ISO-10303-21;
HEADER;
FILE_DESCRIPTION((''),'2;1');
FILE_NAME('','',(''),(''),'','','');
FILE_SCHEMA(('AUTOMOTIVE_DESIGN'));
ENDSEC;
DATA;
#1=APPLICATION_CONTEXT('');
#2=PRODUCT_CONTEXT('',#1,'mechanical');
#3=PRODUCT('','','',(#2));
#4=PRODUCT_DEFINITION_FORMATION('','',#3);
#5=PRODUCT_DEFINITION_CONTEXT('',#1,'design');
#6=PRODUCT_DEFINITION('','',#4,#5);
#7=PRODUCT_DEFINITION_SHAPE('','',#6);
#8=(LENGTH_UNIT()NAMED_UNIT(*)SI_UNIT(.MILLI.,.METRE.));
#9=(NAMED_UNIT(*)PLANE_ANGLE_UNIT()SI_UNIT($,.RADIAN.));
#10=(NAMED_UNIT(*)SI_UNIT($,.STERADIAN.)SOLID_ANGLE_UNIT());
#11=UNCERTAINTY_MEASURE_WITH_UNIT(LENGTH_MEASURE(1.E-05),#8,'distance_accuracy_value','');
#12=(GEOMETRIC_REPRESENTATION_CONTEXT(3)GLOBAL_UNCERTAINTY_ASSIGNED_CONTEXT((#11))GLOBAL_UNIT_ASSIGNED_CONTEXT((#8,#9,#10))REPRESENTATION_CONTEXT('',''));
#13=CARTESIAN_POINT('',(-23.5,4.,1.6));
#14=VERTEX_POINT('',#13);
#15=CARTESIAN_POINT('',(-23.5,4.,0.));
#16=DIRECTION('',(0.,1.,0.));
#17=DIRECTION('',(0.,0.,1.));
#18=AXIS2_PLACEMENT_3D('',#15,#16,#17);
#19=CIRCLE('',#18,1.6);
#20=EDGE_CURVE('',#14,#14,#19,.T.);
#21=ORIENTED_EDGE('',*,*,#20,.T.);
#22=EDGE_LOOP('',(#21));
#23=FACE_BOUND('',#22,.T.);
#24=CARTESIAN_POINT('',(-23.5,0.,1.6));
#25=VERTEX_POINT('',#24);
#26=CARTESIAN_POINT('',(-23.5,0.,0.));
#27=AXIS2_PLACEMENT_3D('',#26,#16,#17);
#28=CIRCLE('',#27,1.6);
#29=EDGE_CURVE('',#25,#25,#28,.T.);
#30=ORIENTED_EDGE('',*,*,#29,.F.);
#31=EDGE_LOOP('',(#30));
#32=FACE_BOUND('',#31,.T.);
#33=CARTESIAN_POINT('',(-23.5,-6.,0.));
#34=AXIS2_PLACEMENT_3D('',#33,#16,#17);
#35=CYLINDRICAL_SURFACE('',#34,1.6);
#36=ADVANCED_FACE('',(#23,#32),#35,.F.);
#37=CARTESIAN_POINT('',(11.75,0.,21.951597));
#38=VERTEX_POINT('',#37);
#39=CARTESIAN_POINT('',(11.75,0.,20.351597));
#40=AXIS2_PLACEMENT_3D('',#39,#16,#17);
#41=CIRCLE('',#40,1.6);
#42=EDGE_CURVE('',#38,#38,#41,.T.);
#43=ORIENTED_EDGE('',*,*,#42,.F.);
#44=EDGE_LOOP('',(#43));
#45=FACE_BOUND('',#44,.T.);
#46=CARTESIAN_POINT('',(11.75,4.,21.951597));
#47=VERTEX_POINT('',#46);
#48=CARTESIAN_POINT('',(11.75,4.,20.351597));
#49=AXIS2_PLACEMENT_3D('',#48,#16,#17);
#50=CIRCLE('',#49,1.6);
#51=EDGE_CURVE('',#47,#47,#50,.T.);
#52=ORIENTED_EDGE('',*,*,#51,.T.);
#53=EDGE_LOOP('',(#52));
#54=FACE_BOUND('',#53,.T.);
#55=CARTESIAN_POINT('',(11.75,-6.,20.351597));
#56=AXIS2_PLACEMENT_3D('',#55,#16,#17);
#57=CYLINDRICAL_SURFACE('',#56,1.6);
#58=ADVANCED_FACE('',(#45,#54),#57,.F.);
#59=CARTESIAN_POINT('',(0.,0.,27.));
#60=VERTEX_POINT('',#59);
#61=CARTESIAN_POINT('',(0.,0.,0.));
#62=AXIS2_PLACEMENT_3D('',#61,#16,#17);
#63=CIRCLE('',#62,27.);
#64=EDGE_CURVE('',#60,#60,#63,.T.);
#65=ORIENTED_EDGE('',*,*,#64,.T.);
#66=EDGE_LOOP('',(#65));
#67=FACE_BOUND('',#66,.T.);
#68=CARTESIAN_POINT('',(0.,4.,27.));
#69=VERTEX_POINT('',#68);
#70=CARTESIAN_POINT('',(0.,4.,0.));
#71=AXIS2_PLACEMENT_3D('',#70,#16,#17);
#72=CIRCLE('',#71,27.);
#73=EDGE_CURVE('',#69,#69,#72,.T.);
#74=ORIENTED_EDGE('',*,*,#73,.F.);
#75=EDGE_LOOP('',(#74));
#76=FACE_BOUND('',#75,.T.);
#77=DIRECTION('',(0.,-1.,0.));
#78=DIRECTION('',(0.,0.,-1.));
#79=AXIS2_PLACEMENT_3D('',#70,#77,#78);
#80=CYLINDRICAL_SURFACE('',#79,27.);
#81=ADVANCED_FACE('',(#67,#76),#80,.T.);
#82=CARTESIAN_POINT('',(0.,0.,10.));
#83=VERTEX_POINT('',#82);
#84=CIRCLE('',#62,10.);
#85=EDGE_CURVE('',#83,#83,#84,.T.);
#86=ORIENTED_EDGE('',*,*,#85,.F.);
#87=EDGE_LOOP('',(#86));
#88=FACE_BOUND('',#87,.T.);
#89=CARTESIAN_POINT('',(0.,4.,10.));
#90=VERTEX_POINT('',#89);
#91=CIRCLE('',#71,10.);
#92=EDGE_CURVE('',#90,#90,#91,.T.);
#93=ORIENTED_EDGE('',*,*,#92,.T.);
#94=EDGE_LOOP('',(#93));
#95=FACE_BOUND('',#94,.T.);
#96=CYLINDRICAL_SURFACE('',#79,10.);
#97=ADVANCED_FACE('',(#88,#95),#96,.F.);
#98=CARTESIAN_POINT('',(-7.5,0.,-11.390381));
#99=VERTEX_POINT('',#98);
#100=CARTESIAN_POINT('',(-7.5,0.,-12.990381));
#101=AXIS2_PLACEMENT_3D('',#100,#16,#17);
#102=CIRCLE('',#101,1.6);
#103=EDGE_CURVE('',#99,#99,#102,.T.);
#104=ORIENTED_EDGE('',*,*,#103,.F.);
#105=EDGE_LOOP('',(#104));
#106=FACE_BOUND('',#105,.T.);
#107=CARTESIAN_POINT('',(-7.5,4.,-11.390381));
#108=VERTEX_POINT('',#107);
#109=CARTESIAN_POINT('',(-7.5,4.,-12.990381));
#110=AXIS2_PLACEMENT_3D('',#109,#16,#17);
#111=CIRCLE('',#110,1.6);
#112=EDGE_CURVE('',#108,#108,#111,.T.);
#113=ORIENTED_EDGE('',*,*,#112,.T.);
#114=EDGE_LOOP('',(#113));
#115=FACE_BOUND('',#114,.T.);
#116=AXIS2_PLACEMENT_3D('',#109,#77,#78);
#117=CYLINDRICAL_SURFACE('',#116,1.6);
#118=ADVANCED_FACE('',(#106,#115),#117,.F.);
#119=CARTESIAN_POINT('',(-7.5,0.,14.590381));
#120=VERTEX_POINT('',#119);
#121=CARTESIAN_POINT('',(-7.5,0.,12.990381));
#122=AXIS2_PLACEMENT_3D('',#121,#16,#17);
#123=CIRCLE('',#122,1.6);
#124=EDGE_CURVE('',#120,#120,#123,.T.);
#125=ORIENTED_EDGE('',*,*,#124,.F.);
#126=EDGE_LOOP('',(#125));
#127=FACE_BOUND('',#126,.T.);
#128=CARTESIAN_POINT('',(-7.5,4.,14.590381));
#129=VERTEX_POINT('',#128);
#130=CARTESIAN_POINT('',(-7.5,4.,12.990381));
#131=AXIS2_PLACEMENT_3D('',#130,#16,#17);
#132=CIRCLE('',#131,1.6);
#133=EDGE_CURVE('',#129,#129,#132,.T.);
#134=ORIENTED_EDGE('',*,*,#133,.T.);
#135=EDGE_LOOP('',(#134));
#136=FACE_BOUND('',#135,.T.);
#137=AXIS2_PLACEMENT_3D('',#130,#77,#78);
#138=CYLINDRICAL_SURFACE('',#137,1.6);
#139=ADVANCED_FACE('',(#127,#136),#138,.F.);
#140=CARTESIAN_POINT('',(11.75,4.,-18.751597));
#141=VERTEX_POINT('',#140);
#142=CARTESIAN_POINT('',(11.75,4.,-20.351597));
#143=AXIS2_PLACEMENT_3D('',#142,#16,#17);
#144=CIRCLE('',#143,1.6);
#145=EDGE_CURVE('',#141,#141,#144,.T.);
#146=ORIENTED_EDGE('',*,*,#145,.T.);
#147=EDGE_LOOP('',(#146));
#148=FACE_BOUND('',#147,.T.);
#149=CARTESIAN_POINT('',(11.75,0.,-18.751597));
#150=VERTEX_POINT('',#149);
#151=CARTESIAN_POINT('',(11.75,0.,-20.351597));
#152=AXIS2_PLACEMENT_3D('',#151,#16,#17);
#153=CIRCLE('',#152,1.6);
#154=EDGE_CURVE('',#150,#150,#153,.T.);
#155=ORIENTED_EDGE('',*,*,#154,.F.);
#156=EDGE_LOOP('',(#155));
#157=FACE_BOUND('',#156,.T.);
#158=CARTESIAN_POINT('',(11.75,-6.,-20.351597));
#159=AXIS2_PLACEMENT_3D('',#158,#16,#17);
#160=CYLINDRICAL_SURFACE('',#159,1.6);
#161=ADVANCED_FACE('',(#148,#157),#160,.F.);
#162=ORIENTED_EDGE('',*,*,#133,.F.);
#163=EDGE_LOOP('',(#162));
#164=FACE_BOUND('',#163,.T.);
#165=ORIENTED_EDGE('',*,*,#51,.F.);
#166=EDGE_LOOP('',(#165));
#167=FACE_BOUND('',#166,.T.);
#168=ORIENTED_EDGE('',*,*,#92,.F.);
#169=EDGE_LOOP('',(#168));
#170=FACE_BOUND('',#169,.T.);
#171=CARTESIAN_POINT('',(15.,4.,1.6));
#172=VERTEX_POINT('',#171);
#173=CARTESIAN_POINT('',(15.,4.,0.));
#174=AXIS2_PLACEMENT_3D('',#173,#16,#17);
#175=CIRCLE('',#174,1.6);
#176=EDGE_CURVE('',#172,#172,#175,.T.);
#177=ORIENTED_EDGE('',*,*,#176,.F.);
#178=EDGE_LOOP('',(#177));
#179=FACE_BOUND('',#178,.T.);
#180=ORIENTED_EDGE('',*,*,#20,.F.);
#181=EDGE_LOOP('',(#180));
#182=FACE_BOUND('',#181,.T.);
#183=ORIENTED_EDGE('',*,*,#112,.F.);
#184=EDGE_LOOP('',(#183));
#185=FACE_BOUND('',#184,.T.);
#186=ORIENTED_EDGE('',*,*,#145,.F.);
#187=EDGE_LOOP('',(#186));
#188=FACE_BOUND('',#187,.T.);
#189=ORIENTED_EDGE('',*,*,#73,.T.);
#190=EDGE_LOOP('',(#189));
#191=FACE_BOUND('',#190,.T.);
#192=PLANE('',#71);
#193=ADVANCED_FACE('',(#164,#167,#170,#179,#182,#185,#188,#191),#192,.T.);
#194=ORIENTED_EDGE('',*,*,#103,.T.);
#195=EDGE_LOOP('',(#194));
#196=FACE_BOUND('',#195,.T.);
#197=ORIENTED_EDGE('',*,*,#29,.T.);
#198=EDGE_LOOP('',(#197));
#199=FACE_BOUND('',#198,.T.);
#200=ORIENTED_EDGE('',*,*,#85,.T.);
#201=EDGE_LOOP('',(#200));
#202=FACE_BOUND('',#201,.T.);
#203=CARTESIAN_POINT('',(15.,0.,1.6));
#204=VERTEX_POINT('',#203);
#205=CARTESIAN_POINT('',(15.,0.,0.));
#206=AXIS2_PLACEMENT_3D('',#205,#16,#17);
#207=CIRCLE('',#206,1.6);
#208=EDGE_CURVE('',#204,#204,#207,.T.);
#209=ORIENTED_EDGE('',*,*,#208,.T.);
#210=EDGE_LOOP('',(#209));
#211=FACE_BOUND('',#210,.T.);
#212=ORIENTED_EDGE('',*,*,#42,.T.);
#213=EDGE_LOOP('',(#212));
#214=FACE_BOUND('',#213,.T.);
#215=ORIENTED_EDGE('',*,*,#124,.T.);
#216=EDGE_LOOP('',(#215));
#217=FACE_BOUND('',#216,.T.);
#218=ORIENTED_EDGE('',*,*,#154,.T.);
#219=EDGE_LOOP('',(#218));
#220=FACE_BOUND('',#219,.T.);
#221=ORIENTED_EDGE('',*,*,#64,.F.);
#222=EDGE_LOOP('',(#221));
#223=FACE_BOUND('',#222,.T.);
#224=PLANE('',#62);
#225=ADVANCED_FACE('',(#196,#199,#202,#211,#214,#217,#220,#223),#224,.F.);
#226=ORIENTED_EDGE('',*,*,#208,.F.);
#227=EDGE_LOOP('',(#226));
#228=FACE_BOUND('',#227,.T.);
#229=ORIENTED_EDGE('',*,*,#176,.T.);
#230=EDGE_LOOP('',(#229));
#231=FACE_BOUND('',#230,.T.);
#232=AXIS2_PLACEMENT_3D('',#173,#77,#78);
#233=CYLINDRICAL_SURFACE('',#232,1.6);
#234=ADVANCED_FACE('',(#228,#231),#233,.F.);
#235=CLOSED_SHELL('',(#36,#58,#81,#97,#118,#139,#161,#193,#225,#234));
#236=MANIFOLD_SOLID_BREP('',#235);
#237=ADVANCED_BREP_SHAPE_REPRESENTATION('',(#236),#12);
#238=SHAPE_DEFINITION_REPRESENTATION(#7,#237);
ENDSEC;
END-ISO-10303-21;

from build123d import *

# Parameters (mm, degrees)
SKETCH_1_R          = 27
SKETCH_1_R_2        = 10
SKETCH_1_R_3        = 1.6
EXTRUDE_1_DEPTH     = 4
SKETCH_3_R          = 1.6
CUT_EXTRUDE_1_DEPTH = 10


with BuildPart() as part:
    # 草图1 → 凸台-拉伸1 (new body)
    with BuildSketch(Plane(origin=(0, 0, 0), x_dir=(1, 0, 0), z_dir=(0, 1, 0))):
        with Locations(Location((0, 0, 0), (0, 0, 270))):
            Circle(SKETCH_1_R)
        with Locations(Location((0, 0, 0), (0, 0, 270))):
            Circle(SKETCH_1_R_2, mode=Mode.SUBTRACT)
        with Locations(Location((15, 0, 0), (0, 0, 270))):
            Circle(SKETCH_1_R_3, mode=Mode.SUBTRACT)
        with Locations(Location((-7.5, -12.990381057, 0), (0, 0, 270))):
            Circle(SKETCH_1_R_3, mode=Mode.SUBTRACT)
        with Locations(Location((-7.5, 12.990381057, 0), (0, 0, 270))):
            Circle(SKETCH_1_R_3, mode=Mode.SUBTRACT)
    extrude(amount=EXTRUDE_1_DEPTH)

    # 草图3 → 切除-拉伸1 (cut)
    with BuildSketch(Plane(origin=(0, 4, 0), x_dir=(1, 0, 0), z_dir=(0, 1, 0))):
        with Locations(Location((11.75, 20.351596989, 0), (0, 0, 270))):
            Circle(SKETCH_3_R)
        with Locations(Location((11.75, -20.351596989, 0), (0, 0, 270))):
            Circle(SKETCH_3_R)
        with Locations(Location((-23.5, 0, 0), (0, 0, 270))):
            Circle(SKETCH_3_R)
    extrude(amount=-CUT_EXTRUDE_1_DEPTH, mode=Mode.SUBTRACT)


solid = part.part
